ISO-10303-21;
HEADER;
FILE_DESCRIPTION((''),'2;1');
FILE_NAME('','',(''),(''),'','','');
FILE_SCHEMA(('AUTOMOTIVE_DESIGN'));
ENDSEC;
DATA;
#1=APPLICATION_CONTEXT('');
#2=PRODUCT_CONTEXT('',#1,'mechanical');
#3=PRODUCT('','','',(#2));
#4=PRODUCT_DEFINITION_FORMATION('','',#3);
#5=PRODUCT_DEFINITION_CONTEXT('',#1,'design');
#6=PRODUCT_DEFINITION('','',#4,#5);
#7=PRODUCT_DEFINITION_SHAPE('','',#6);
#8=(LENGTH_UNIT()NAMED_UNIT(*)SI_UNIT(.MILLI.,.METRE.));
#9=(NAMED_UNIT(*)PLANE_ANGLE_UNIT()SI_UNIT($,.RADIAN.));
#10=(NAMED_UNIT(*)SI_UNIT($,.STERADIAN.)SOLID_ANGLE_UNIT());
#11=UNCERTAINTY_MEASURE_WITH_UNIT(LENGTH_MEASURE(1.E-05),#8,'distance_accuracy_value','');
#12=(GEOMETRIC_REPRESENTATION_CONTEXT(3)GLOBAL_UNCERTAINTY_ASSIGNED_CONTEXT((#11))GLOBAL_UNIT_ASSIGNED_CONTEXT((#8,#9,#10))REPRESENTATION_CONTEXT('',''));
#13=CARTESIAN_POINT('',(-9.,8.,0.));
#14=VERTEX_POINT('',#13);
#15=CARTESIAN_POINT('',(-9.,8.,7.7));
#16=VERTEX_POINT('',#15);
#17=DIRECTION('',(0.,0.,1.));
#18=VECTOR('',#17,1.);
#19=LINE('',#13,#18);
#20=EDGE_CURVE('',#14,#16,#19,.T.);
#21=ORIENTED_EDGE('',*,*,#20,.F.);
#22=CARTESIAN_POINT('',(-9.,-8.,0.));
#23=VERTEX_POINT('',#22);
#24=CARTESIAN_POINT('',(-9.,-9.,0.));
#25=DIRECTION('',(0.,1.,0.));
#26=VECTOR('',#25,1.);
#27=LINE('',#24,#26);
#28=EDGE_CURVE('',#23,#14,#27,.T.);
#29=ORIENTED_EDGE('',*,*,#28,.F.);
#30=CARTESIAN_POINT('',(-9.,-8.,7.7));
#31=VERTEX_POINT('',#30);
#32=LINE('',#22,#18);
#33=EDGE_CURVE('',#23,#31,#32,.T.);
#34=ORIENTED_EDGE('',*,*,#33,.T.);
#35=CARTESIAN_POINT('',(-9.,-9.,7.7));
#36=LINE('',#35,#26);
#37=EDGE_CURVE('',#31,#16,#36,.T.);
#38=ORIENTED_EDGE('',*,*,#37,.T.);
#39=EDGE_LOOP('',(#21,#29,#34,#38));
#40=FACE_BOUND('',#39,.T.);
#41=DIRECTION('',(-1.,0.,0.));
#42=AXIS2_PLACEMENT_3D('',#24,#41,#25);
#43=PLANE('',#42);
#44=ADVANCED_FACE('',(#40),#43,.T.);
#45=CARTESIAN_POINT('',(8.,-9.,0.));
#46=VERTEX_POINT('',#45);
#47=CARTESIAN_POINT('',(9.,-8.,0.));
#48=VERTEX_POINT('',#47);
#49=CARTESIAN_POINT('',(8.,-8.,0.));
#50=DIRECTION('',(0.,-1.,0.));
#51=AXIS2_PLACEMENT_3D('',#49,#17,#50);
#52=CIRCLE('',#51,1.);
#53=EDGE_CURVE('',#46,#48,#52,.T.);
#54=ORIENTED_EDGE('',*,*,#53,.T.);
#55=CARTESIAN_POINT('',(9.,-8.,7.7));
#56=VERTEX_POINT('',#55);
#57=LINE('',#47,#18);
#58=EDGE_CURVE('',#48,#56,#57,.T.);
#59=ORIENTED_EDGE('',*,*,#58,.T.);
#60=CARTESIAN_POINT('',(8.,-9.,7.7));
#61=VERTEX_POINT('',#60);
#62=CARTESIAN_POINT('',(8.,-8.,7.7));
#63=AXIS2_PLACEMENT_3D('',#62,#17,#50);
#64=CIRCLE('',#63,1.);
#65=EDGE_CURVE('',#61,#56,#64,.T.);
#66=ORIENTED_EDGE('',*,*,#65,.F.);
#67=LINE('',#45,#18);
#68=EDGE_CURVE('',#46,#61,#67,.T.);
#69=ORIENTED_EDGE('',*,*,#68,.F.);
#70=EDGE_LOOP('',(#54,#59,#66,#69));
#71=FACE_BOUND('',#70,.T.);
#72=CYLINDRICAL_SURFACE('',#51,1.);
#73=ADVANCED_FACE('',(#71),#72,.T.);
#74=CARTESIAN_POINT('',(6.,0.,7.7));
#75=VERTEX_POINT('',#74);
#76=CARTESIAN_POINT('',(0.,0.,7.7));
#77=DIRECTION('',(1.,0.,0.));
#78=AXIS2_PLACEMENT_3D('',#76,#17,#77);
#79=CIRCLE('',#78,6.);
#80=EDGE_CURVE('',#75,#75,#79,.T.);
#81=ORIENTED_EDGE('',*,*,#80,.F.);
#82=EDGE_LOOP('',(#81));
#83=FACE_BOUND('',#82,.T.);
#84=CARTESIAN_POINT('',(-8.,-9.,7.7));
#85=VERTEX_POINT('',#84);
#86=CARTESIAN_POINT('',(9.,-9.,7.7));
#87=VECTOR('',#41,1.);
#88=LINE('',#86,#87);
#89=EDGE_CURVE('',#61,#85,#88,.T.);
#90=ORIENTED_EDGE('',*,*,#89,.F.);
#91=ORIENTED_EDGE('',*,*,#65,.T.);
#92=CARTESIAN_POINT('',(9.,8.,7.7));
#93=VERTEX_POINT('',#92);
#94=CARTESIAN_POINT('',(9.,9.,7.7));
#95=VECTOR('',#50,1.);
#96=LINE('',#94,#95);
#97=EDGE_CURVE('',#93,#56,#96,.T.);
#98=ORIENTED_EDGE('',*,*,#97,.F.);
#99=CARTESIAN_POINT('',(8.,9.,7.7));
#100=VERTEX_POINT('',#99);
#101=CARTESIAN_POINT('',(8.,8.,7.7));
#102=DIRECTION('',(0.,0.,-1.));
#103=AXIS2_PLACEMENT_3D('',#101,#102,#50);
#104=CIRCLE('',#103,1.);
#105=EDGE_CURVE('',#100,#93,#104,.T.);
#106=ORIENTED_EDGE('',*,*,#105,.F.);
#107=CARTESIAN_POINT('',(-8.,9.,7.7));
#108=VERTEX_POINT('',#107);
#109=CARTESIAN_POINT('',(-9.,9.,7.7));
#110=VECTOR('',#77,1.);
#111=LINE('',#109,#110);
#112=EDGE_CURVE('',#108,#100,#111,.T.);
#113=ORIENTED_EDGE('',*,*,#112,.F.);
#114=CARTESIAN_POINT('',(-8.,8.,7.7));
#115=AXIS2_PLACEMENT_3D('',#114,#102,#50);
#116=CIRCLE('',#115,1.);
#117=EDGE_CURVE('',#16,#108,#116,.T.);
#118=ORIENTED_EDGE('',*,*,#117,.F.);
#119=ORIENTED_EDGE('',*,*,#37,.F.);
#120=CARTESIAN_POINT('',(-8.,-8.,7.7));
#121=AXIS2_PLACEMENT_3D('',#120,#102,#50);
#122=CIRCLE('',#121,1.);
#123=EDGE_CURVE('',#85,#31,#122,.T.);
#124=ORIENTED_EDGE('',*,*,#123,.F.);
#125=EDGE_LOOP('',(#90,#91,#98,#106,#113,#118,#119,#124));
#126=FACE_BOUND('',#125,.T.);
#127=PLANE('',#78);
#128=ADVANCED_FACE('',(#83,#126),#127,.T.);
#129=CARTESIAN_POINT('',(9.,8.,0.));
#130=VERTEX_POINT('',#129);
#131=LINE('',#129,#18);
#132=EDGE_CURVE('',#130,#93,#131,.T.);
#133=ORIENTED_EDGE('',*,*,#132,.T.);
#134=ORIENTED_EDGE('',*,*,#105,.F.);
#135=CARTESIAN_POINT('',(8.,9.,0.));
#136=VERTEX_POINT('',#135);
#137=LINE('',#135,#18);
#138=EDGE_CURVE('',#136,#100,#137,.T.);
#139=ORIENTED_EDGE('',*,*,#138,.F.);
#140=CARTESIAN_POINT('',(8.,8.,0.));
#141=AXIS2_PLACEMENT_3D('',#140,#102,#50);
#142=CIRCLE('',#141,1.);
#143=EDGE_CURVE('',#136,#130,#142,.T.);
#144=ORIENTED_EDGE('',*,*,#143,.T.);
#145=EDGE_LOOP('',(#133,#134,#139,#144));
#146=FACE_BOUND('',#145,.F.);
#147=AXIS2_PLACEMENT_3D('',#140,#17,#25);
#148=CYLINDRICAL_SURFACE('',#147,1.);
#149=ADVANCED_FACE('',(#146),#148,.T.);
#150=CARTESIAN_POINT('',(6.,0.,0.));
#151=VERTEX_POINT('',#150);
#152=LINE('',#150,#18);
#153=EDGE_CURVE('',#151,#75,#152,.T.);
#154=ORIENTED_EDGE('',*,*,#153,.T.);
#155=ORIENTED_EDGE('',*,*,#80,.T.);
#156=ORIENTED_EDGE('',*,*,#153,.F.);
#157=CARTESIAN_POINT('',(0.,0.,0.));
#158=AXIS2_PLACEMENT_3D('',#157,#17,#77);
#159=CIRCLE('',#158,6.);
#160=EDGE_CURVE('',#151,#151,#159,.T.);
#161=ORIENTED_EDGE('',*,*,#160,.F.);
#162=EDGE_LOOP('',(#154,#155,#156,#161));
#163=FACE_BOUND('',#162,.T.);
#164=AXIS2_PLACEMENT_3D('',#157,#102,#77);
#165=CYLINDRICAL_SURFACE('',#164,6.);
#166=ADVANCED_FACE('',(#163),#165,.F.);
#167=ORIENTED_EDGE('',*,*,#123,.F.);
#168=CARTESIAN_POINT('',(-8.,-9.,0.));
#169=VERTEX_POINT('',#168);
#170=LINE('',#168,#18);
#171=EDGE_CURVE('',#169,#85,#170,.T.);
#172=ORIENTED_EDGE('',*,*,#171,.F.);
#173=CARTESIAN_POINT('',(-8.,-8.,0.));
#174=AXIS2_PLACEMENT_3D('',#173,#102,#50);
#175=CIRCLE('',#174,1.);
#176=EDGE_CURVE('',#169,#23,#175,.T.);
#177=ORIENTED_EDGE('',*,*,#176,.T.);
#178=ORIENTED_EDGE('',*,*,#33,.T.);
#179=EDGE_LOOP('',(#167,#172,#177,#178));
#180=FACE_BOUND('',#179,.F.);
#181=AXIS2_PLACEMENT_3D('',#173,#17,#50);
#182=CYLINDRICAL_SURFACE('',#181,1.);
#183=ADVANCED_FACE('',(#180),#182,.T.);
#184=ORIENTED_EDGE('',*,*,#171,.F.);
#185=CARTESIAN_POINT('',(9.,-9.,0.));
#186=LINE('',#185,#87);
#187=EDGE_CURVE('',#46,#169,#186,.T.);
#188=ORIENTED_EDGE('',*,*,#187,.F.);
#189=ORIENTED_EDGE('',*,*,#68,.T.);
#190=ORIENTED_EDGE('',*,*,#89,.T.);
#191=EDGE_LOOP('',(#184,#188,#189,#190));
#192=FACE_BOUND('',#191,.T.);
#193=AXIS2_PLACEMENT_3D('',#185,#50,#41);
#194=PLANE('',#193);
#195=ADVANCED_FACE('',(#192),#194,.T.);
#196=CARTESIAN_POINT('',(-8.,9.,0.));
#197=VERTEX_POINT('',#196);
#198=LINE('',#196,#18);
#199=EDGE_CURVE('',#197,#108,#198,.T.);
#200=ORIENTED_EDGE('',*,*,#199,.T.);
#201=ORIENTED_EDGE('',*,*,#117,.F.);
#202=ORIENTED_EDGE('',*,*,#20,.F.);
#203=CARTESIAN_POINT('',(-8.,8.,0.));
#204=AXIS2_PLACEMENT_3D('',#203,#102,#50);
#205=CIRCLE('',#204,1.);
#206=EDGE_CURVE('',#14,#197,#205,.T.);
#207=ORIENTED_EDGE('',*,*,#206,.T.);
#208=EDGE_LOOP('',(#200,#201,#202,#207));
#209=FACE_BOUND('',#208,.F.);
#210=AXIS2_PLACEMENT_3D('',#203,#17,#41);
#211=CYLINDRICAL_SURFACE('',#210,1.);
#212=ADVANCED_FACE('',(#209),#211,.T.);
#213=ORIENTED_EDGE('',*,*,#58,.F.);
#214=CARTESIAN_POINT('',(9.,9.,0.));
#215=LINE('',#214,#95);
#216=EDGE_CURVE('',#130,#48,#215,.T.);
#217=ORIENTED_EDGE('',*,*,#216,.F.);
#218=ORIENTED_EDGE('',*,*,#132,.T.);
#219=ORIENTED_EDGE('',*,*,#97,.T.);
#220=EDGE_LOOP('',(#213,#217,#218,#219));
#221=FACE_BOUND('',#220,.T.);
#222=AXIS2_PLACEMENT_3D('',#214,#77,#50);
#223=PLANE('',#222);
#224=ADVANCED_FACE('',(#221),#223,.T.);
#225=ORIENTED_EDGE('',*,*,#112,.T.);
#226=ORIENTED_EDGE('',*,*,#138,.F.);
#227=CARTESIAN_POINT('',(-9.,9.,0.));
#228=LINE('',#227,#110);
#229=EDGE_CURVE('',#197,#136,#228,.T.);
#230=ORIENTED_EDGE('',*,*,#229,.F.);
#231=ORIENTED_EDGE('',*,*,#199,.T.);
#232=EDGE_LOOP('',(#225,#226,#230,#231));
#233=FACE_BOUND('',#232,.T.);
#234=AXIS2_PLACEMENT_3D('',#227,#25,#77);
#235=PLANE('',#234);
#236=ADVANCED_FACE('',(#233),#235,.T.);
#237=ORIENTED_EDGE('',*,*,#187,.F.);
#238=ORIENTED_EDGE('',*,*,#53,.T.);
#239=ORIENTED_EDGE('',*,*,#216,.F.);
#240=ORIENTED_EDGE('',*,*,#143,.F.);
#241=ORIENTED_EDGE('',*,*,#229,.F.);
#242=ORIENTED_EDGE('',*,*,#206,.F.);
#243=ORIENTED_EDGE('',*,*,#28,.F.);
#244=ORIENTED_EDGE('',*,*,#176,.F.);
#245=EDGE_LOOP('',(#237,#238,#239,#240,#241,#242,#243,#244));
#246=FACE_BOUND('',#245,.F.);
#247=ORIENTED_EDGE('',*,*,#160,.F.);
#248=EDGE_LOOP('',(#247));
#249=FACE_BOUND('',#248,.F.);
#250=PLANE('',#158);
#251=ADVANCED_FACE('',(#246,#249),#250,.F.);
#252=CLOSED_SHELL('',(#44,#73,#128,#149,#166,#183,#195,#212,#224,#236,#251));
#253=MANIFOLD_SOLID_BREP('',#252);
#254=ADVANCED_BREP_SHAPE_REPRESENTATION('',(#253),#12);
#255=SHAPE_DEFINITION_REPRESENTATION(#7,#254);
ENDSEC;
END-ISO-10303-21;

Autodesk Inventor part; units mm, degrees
ref_plane "YZ Plane" through (0, 0, 0) normal (1, 0, 0) x (0, 1, 0)
ref_plane "XZ Plane" through (0, 0, 0) normal (0, 1, 0) x (-1, 0, 0)
ref_plane "XY Plane" through (0, 0, 0) normal (0, 0, 1) x (1, 0, 0)
sketch "Skizze1" plane through (0, 0, 0) normal (0, 0, 1) x (1, 0, 0)
  line L0 (9, -9) -> (-9, -9)
  line L1 (-9, -9) -> (-9, 9)
  line L2 (-9, 9) -> (9, 9)
  line L3 (9, 9) -> (9, -9)
  line L4 (9, -9) -> (-9, 9) construction
  line L5 (-9, -9) -> (9, 9) construction
  circle A0 centre (0, 0) radius 6
  dimension "d0" = 18
  dimension "d1" = 18
  dimension "d2" = 12
extrude "Extrusion1" add sketch "Skizze1" along normal blind 7.7
fillet "Rundung1" radius 1 4 edges at (9, 9, 3.85) (-9, 9, 3.85) (9, -9, 3.85) (-9, -9, 3.85)
sketch "Skizze2" plane through (0, 0, 7.7) normal (0, 0, 1) x (1, 0, 0)
  arc A0 (-9, -8) -> (-8, -9) centre (-8, -8) ccw projected
  line L0 (-8, -9) -> (8, -9) projected
  arc A1 (8, -9) -> (9, -8) centre (8, -8) ccw projected
  line L1 (9, -8) -> (9, 8) projected
  arc A2 (9, 8) -> (8, 9) centre (8, 8) ccw projected
  line L2 (8, 9) -> (-8, 9) projected
  arc A3 (-8, 9) -> (-9, 8) centre (-8, 8) ccw projected
  line L3 (-9, 8) -> (-9, -8) projected
  circle A4 centre (0, 0) radius 6 projected
  circle A5 centre (0, 10.5) radius 0.75
  circle A6 centre (0, -10.5) radius 0.75
  circle A7 centre (0, 10.5) radius 2.1
  circle A8 centre (0, -10.5) radius 2.1
  point P0 (-1.4697, -9)
  point P1 (1.4697, -9)
  point P2 (1.4697, 9)
  point P3 (-1.4697, 9)
  dimension "d6" = 1.5
  dimension "d7" = 1.5
  dimension "d8" = 10.5
  dimension "d9" = 10.5
  dimension "d10" = 4.2
  dimension "d11" = 4.2
extrude "Extrusion2" [suppressed]
properties part number "00_CCTV_M12_VCM_large"
